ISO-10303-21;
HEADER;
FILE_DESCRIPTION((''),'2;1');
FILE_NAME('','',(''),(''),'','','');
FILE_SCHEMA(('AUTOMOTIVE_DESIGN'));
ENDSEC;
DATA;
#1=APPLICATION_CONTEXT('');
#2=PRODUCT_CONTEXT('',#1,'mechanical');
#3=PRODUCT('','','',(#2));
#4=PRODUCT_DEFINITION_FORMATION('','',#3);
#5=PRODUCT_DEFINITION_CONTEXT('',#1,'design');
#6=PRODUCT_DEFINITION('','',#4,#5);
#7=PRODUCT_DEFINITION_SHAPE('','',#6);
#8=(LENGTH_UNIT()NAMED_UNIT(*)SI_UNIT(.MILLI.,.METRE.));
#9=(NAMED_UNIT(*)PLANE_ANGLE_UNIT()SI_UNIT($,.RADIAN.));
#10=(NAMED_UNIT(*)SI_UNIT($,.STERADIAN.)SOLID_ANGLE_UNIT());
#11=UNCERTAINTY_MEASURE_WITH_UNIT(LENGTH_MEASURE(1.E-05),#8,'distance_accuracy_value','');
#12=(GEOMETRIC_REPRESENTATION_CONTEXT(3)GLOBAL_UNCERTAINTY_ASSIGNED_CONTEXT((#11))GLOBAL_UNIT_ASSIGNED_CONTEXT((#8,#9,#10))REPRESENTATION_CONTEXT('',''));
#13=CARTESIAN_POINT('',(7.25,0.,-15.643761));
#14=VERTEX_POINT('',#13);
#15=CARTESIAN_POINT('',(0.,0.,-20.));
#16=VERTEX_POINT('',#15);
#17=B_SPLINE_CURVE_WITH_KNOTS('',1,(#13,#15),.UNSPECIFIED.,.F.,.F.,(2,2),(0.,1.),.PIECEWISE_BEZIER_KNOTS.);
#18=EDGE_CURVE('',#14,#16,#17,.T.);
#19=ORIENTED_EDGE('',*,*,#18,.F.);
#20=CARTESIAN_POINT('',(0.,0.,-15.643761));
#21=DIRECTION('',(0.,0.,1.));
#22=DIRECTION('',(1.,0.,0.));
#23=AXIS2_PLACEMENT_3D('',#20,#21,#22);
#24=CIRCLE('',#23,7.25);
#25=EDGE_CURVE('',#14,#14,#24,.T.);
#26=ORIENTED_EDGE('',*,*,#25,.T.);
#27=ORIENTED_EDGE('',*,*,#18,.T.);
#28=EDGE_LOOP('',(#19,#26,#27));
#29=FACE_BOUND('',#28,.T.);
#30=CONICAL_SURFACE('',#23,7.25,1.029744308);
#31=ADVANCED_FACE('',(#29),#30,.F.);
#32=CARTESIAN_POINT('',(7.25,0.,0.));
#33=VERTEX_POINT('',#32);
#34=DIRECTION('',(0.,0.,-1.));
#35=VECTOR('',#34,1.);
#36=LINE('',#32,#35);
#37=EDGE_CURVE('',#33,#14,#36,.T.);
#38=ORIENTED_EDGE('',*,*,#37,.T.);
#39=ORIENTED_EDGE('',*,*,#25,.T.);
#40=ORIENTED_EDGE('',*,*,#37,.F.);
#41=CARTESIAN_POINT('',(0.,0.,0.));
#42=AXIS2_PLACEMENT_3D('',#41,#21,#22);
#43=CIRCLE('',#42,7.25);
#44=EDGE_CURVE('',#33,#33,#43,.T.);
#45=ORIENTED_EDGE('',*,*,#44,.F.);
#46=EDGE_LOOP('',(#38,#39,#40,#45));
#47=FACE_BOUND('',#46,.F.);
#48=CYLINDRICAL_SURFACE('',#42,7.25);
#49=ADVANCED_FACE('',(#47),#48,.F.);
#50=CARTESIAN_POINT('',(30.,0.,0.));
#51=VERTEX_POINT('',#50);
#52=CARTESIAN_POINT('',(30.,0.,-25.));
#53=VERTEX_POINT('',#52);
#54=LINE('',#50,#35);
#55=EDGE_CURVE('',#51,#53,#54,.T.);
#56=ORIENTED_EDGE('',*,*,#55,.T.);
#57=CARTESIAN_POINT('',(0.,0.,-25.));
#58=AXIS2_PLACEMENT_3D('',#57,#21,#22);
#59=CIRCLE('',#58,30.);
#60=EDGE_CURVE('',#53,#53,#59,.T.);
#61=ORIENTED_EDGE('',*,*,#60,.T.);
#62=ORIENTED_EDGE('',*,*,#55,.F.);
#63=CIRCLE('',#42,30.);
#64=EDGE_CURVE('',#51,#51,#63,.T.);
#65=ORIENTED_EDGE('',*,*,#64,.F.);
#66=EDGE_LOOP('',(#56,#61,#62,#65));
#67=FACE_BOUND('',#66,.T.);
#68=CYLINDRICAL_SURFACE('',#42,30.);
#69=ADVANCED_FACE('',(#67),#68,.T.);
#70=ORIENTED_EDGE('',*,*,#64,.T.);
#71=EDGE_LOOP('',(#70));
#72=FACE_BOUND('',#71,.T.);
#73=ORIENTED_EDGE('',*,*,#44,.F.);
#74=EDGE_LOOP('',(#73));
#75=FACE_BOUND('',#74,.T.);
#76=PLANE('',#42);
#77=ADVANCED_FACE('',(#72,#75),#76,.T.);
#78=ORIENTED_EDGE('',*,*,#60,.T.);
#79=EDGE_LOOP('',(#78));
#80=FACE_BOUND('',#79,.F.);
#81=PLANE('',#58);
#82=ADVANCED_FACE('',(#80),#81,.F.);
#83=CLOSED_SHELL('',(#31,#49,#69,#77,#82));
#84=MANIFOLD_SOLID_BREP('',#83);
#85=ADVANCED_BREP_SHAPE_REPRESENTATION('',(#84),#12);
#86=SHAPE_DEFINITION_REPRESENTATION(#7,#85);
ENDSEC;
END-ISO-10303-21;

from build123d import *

# Parameters (mm, degrees)
SKETCH_R    = 30
PAD_DEPTH   = 25
SKETCH001_R = 7.25
HOLE_DEPTH  = 15.643761
HOLE_TIPS_R = 7.25


with BuildPart() as part:
    # Sketch → Pad (new body)
    with BuildSketch(Plane.XY):
        Circle(SKETCH_R)
    extrude(amount=-PAD_DEPTH)

    # Sketch001 (on Face2 of Pad) → Hole (cut)
    with BuildSketch(Plane.XY):
        Circle(SKETCH001_R)
    extrude(amount=-HOLE_DEPTH, mode=Mode.SUBTRACT)

    # Hole tips → Hole tip 1 section 0
    with BuildSketch(Plane.XY.offset(-15.643761), mode=Mode.PRIVATE) as hole_tip_1_s0:
        Circle(HOLE_TIPS_R)
    loft([hole_tip_1_s0.sketch, Vertex(0, 0, -20)], mode=Mode.SUBTRACT)


solid = part.part
